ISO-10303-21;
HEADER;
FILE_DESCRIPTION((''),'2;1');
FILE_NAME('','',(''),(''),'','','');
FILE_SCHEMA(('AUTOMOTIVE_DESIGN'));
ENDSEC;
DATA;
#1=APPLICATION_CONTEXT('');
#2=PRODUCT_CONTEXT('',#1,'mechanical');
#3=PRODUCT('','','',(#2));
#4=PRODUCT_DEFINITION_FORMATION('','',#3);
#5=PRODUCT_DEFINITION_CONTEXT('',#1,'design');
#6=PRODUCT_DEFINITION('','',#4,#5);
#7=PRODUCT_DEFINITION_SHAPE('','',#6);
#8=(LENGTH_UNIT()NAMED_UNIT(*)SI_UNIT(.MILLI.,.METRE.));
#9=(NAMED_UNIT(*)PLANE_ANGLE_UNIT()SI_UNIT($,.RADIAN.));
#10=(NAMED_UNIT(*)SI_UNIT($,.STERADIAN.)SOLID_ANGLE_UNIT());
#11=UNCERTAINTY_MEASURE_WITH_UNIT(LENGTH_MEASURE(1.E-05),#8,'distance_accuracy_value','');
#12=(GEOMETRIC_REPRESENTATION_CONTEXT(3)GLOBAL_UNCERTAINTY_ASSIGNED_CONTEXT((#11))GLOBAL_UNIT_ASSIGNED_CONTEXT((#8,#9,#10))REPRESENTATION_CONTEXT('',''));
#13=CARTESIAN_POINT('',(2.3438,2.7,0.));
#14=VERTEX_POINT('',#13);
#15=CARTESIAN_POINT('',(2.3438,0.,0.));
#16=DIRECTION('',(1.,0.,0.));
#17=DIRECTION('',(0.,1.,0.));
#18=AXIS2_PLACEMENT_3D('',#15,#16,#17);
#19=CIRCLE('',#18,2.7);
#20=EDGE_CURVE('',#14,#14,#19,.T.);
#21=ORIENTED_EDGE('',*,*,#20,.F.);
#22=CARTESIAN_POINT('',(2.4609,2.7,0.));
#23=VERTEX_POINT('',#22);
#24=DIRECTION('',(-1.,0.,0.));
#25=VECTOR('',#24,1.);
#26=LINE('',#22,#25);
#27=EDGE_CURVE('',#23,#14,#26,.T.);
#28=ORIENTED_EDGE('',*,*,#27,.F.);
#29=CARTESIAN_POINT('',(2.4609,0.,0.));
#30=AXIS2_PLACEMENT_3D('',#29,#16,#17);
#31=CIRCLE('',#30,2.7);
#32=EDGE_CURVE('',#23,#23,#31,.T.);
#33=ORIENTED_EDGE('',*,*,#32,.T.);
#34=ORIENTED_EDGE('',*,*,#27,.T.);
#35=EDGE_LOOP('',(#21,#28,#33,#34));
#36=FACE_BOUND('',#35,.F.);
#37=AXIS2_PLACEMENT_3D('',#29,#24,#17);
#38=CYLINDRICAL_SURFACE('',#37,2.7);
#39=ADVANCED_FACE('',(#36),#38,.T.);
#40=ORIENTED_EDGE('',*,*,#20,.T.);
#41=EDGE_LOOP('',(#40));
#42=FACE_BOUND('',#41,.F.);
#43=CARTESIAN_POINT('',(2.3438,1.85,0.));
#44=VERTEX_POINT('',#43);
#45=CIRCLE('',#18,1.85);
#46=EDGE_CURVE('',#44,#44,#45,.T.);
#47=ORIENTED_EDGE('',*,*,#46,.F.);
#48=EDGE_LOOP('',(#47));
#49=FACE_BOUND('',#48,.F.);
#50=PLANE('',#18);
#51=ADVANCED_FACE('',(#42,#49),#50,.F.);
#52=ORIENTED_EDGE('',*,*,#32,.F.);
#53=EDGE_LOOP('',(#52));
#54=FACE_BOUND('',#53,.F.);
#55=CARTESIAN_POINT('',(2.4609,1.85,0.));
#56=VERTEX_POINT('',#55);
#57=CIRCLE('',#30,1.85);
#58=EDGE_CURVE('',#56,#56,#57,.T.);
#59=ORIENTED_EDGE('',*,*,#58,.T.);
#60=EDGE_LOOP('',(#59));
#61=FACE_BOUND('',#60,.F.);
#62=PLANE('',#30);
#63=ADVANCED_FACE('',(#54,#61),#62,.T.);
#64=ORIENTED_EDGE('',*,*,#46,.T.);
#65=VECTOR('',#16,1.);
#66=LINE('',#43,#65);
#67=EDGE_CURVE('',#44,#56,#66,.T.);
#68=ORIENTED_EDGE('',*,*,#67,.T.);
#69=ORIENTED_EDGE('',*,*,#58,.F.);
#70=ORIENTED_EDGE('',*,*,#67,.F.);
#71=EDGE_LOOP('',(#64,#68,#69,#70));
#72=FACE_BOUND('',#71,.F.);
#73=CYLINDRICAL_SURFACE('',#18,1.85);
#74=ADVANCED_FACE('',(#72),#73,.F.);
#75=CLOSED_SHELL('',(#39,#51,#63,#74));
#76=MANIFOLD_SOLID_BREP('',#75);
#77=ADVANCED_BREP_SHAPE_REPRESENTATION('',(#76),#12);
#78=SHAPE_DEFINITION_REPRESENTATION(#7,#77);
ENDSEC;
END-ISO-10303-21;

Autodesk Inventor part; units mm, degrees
sketch "Sketch_1" plane through (0, 0, 0) normal (0, 0, 1) x (1, 0, 0)
  line L0 (2.4609, 0) -> (2.3438, 0)
  line L1 (2.3438, 1.85) -> (2.4609, 1.85)
  line L2 (2.4609, 1.85) -> (2.4609, 2.7)
  line L3 (2.4609, 2.7) -> (2.3438, 2.7)
  line L4 (2.3438, 2.7) -> (2.3438, 1.85)
revolve "Revolution1" add sketch "Sketch_1" angle 360 about axis through (2.4609, 0, 0) along (1, 0, 0)
ref_plane "ip_st_1_XY" through (2.3438, 0, 0) normal (1, 0, 0) x (0, 0, -1)
ref_plane "ip_st_1_YZ" through (2.3438, 0, 0) normal (0, 0, -1) x (0, 1, 0)
ref_plane "ip_st_1_ZX" through (2.3438, 0, 0) normal (0, 1, 0) x (1, 0, 0)
properties part number "MF63ZZ Shield2"
